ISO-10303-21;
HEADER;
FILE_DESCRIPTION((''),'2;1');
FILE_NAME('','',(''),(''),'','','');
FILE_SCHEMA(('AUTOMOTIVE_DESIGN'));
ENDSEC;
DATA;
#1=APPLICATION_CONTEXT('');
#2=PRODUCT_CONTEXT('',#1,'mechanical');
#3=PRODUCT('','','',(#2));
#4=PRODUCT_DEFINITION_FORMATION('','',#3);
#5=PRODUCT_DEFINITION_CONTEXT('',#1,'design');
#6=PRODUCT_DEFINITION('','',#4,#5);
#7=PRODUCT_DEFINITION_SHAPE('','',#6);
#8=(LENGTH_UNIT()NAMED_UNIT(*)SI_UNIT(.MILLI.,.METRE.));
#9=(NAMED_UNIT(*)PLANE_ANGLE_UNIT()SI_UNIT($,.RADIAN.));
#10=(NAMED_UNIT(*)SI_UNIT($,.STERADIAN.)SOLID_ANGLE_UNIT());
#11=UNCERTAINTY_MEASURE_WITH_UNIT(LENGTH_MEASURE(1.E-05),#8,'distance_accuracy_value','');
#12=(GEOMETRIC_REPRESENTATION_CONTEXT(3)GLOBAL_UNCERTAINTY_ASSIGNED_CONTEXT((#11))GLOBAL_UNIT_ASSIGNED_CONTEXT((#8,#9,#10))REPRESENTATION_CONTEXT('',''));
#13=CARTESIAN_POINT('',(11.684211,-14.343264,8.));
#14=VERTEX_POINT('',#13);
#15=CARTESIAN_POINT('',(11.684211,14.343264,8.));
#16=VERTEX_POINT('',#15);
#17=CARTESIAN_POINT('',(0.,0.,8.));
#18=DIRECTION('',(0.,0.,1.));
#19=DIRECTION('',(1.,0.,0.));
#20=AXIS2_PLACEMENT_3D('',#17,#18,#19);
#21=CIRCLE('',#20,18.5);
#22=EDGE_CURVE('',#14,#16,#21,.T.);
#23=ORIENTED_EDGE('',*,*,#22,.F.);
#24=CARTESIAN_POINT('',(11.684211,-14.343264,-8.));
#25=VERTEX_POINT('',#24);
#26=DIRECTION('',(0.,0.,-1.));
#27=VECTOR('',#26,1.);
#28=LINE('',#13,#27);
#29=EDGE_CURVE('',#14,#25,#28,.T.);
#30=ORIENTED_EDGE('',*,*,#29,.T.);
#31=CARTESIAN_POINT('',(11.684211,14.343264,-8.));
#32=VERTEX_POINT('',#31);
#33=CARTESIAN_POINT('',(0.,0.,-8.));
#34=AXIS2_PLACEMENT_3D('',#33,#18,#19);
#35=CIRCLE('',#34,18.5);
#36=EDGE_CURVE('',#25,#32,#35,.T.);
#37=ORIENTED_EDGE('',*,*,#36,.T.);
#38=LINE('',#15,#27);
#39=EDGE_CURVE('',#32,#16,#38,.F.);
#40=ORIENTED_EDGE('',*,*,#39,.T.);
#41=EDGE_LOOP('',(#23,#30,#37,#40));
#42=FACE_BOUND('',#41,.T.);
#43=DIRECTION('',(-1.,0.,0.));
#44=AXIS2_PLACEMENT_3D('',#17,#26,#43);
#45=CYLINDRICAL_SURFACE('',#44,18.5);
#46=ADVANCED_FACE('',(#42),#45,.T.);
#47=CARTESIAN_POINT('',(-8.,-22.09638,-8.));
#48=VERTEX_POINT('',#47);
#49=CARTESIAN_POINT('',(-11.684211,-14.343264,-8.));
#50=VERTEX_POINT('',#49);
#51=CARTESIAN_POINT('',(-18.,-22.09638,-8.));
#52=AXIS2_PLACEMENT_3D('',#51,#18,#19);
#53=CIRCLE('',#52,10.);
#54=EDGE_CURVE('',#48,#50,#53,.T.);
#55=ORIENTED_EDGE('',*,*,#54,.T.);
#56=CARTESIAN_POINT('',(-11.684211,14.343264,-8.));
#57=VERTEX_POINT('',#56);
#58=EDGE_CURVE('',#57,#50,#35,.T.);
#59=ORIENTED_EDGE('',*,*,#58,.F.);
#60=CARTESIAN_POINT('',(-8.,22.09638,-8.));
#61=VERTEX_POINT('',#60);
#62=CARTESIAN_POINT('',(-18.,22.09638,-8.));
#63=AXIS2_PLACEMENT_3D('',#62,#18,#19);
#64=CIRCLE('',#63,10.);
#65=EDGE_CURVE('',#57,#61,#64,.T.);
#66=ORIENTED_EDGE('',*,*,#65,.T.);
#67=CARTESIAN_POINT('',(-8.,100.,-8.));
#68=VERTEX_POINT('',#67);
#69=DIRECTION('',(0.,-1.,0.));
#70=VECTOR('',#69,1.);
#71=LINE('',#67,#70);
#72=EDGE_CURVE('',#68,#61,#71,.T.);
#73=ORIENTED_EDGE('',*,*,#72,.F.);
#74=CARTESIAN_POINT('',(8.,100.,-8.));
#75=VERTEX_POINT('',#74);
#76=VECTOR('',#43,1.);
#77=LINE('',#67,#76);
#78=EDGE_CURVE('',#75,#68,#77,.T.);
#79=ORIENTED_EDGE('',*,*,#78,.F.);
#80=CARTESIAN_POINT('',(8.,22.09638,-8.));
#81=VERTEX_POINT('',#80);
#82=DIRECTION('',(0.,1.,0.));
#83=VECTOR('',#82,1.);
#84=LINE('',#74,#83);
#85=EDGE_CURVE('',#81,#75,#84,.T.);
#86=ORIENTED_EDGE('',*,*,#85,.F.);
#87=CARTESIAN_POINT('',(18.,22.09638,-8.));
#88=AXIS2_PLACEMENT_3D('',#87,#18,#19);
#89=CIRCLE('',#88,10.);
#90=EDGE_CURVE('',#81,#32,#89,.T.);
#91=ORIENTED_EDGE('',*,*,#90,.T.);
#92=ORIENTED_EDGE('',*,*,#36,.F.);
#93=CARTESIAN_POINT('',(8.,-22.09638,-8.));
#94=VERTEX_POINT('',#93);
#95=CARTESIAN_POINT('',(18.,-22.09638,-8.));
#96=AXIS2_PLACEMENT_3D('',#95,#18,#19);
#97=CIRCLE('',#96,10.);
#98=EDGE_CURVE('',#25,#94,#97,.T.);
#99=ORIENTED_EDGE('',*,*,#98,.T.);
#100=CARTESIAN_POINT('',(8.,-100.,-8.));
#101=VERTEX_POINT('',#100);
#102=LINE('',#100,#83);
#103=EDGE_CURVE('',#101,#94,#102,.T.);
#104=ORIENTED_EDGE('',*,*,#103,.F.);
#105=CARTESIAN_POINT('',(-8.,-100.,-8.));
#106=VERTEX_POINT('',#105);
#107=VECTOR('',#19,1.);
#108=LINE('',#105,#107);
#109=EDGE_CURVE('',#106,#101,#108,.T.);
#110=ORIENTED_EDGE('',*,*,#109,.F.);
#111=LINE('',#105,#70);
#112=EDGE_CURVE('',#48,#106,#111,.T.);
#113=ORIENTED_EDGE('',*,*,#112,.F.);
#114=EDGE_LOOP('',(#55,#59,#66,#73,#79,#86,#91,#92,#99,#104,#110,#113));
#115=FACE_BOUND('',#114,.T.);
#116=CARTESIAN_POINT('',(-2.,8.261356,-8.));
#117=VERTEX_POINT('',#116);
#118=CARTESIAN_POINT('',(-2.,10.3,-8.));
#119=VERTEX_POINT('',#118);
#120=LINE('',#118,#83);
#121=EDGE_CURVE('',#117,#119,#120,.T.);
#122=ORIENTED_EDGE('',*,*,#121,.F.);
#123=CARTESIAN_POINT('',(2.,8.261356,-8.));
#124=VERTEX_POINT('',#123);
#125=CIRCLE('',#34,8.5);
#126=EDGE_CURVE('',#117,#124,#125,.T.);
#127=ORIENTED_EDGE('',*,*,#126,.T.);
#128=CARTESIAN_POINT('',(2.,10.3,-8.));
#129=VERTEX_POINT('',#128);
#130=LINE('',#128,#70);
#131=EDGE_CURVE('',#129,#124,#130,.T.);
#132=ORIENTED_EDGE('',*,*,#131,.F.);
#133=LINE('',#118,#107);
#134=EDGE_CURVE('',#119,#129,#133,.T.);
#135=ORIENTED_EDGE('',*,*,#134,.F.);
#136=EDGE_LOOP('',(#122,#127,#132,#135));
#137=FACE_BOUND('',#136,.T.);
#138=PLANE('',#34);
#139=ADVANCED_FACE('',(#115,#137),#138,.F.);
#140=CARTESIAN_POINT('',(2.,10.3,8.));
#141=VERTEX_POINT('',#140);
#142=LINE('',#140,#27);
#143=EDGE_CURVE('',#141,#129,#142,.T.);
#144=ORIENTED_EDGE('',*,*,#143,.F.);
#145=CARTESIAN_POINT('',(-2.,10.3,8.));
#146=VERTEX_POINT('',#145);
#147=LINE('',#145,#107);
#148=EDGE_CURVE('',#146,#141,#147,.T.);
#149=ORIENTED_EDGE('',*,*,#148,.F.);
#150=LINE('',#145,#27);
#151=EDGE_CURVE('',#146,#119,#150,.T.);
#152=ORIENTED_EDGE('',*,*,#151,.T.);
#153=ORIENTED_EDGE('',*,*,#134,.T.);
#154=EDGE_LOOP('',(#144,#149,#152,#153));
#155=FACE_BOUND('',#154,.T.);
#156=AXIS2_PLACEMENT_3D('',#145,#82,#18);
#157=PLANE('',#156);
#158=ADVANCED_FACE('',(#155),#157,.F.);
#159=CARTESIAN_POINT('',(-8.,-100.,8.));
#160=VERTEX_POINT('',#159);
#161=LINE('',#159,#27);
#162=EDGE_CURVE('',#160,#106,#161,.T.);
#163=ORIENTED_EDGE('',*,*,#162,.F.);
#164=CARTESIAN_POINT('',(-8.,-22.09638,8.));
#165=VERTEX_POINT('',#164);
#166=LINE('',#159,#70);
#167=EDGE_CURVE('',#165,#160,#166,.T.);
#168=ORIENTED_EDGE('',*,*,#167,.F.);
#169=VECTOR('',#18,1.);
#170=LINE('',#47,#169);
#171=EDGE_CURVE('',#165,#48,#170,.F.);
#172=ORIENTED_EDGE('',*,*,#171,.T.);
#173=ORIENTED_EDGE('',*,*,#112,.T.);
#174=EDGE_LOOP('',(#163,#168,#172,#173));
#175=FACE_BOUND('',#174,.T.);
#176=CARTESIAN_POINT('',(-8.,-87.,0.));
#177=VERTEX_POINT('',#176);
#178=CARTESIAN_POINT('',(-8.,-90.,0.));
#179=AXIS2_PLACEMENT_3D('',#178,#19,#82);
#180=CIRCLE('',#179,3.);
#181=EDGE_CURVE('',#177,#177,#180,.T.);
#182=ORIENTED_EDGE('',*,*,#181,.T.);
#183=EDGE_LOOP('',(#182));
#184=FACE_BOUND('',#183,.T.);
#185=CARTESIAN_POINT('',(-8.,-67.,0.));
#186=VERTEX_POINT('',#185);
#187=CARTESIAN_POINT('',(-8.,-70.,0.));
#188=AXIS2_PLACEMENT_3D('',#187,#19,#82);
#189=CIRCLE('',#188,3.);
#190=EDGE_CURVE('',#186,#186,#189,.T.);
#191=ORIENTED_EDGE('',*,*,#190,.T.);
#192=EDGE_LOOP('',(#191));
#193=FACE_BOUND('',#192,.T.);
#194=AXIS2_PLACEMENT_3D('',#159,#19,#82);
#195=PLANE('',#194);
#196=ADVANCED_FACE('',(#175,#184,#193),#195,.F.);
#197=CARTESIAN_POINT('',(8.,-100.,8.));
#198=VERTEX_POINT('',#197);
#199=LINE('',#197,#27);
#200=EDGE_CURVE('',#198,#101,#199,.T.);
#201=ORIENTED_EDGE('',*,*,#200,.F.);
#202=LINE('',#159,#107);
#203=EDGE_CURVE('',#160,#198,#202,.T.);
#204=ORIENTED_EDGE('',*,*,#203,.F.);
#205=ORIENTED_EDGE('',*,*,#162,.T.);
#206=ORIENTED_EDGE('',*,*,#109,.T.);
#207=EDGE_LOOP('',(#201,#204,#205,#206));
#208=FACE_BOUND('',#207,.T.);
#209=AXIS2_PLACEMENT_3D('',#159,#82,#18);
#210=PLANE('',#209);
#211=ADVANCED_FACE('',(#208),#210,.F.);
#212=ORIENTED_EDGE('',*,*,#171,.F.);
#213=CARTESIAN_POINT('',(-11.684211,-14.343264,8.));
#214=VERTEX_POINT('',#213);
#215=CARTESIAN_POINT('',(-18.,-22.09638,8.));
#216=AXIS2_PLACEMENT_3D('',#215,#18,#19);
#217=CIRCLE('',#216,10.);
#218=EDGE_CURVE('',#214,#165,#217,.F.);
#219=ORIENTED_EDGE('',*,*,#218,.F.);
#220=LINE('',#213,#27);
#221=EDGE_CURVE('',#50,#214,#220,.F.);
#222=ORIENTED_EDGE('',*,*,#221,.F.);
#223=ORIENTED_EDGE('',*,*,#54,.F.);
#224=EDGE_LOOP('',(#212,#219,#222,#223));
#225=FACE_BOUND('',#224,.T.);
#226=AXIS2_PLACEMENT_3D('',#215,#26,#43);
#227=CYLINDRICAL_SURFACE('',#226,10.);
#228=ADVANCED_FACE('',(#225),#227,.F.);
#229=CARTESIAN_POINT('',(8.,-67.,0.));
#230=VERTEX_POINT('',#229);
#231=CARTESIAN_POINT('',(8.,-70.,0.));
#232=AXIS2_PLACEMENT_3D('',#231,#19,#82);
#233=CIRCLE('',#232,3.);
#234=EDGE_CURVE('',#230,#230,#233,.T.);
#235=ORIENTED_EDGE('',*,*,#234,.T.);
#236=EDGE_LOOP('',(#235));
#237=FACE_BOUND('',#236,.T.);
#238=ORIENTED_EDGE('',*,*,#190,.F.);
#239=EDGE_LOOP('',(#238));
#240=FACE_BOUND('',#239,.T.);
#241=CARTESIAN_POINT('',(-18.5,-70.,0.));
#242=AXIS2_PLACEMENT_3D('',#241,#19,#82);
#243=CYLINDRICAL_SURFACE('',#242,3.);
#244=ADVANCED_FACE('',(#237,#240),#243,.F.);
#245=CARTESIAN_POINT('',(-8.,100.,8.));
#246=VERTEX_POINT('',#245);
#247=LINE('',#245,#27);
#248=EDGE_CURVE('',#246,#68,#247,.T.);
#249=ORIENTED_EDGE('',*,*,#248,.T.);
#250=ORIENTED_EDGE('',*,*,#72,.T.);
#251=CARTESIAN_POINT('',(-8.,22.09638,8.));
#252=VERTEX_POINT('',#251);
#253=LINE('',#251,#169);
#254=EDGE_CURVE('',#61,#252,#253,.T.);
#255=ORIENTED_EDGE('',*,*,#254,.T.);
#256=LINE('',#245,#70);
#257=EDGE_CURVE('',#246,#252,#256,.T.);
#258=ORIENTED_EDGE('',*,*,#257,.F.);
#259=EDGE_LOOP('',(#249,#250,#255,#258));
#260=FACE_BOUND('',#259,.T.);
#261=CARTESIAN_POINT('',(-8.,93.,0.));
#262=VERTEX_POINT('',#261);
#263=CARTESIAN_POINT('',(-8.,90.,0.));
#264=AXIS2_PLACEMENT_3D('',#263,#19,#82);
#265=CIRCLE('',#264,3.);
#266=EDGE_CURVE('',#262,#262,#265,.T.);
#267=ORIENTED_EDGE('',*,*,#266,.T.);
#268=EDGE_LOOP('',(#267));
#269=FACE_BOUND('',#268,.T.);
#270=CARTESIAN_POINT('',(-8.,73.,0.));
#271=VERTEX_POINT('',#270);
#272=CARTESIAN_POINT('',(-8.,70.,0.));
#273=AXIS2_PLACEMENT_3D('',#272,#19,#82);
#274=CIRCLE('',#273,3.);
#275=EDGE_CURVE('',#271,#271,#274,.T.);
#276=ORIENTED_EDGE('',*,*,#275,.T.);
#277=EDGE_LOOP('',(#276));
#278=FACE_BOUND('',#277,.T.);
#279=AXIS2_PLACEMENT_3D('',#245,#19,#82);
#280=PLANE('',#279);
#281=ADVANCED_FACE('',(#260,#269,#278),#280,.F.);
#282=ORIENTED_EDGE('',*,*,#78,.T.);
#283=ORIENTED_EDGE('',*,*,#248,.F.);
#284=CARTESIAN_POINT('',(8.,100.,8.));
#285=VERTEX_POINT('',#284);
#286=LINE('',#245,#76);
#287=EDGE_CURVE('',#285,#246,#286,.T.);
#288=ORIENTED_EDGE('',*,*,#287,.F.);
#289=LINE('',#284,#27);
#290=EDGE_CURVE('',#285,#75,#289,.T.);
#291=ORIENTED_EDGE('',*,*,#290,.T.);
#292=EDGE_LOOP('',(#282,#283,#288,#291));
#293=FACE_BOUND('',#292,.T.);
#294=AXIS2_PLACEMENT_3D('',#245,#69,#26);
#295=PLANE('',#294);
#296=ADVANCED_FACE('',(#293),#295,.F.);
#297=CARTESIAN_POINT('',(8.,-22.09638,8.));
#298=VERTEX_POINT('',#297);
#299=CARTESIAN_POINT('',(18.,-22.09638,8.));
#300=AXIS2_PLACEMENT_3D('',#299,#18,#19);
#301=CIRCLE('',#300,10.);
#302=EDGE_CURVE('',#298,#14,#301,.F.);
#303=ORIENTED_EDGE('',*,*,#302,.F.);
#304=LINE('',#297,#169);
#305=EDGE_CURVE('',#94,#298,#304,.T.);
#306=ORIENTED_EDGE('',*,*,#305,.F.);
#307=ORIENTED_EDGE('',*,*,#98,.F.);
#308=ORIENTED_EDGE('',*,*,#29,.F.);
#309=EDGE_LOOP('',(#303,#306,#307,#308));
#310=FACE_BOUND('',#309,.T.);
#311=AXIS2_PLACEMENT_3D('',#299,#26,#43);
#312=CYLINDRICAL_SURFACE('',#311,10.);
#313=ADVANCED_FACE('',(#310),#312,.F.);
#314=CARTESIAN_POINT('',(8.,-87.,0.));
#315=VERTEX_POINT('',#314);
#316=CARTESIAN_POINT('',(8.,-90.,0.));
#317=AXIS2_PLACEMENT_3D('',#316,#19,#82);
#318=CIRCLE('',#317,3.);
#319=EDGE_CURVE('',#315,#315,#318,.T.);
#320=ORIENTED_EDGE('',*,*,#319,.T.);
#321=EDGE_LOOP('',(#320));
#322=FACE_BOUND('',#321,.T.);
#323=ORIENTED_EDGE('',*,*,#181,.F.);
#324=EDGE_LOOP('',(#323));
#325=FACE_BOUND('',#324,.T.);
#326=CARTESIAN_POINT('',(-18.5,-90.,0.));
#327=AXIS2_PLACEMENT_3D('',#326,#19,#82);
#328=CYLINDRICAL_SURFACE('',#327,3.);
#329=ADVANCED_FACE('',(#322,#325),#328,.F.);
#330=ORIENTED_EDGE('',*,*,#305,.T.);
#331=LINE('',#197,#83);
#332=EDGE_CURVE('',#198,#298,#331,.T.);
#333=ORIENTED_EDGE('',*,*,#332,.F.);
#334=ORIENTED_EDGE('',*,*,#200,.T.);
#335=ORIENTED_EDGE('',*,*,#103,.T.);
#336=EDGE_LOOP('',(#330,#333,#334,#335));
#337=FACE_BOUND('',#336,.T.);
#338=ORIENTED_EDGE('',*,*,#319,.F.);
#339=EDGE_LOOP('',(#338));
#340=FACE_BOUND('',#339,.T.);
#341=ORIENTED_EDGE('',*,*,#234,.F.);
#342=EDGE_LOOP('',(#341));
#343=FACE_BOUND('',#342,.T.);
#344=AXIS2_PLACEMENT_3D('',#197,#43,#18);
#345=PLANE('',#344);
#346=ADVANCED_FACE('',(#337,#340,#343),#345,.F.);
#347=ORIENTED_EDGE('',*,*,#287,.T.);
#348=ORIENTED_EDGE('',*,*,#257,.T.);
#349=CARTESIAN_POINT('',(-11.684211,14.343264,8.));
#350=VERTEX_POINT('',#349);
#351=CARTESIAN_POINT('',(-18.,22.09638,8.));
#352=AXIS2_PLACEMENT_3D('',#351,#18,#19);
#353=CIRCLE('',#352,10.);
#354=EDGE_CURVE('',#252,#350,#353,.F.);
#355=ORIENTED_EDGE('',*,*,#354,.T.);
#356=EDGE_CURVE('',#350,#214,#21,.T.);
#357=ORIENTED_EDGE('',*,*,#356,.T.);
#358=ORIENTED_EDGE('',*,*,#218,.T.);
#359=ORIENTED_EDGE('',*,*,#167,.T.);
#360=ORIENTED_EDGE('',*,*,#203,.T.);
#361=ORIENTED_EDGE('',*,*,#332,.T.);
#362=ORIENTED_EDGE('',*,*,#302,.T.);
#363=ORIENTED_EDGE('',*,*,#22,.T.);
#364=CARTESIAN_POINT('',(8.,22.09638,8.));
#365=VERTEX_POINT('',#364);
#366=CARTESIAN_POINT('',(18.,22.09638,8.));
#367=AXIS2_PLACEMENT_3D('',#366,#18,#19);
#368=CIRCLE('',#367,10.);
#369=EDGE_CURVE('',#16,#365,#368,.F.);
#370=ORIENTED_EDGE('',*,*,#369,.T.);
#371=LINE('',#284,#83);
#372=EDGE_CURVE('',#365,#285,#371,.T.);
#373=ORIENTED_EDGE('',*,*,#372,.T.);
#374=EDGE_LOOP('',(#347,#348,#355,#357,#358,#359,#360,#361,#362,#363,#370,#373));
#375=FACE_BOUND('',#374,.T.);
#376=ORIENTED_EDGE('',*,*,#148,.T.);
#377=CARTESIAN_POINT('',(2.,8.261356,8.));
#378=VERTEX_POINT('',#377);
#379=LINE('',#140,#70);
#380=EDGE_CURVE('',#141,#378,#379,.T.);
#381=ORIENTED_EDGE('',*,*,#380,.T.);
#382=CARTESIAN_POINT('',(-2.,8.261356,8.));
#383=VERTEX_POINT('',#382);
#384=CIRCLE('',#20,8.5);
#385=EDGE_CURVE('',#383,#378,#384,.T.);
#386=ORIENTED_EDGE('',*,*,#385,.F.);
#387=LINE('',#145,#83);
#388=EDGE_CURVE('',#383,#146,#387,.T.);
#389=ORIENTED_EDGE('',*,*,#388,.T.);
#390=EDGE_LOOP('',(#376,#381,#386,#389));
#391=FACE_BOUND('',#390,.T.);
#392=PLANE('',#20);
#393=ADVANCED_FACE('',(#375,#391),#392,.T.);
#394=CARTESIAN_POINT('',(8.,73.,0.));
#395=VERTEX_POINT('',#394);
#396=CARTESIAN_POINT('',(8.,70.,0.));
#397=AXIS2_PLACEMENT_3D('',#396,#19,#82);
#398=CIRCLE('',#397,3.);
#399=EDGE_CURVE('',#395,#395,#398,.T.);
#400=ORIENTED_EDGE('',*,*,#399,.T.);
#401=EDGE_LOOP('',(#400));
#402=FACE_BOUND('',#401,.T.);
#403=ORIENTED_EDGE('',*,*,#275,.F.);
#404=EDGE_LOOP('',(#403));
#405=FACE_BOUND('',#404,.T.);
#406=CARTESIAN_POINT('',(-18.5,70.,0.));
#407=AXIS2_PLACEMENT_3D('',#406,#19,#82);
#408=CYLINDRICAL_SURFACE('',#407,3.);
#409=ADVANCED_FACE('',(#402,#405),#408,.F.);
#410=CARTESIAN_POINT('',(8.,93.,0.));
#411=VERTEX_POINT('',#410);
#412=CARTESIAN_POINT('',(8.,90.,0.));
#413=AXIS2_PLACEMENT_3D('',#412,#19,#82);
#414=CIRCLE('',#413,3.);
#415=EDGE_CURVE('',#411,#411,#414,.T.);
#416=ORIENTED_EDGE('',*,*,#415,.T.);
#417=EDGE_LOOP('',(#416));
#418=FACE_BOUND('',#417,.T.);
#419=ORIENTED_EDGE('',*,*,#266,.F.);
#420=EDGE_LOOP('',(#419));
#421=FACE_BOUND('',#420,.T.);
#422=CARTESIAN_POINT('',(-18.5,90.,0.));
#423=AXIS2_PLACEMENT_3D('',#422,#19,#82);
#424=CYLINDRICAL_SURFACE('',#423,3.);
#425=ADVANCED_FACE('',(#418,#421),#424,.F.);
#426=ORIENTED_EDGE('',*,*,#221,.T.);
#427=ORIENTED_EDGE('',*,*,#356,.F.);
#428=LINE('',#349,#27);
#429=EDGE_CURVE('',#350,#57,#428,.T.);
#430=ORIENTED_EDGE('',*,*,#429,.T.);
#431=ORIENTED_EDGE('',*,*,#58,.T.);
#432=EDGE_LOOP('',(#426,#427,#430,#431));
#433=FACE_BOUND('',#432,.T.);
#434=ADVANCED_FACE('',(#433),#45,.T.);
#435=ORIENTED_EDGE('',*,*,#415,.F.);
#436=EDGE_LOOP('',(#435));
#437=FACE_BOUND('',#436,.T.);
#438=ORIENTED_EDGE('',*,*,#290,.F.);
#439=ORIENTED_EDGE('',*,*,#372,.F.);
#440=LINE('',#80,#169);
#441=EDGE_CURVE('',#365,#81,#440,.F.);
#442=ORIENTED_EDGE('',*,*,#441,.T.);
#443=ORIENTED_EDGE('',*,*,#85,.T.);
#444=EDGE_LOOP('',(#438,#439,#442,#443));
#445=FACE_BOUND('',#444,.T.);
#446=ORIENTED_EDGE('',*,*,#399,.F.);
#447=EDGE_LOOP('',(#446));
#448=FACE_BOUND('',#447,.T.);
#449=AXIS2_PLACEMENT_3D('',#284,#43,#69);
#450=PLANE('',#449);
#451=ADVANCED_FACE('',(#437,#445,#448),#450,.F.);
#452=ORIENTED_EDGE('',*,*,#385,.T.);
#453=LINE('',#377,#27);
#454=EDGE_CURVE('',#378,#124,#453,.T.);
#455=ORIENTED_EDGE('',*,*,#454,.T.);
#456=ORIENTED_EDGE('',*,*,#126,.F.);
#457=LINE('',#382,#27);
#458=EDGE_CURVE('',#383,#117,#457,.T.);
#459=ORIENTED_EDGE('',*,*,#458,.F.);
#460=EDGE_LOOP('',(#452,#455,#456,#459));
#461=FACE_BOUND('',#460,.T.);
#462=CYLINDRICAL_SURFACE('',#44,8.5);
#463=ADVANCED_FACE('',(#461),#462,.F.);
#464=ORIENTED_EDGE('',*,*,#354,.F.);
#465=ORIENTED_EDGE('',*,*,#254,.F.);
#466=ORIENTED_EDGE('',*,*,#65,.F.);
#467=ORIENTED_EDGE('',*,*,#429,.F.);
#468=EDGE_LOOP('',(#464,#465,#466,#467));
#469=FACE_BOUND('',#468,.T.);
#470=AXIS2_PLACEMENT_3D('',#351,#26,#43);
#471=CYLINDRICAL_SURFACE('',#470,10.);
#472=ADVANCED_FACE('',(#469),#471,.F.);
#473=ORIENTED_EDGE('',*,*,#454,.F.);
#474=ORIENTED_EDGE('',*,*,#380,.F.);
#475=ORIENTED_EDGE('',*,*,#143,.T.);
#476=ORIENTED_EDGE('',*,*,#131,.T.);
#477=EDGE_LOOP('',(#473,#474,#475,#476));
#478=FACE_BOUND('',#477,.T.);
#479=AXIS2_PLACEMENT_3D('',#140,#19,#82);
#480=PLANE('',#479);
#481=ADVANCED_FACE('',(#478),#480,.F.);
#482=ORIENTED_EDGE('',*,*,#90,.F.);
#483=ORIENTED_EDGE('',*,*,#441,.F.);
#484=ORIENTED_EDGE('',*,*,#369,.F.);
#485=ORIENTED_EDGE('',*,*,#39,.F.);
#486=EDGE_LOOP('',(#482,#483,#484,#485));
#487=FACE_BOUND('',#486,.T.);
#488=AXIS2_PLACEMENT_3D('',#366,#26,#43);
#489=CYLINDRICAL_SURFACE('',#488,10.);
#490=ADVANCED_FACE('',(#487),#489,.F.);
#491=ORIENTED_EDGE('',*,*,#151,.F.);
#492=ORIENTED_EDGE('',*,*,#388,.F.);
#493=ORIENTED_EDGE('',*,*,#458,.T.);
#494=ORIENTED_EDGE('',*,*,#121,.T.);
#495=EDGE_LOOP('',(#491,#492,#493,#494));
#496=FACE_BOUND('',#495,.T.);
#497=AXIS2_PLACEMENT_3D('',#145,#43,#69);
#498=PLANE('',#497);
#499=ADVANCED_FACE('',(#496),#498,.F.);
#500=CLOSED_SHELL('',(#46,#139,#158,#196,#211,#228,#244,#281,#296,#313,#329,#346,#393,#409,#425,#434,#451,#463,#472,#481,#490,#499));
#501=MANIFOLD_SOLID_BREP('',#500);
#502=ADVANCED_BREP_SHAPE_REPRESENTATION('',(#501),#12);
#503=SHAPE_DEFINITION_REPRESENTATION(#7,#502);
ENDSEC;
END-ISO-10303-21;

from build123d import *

# Parameters (mm, degrees)
SKETCH1_R           = 18.5
SKETCH1_R_2         = 8.5
BOSS_EXTRUDE1_DEPTH = 8
SKETCH2_W           = 16
SKETCH2_H           = 83.319172682
BOSS_EXTRUDE2_DEPTH = 8
SKETCH3_W           = 16
SKETCH3_H           = 83.319172682
BOSS_EXTRUDE3_DEPTH = 8
SKETCH4_W           = 4
SKETCH4_H           = 2.038644179
CUT_EXTRUDE3_DEPTH  = 103.947802308
FILLET1_R           = 10
SKETCH5_R           = 3
CUT_EXTRUDE4_DEPTH  = 104.760541633


with BuildPart() as part:
    # Sketch1 → Boss-Extrude1 (new, symmetric)
    with BuildSketch(Plane.XY):
        Circle(SKETCH1_R)
        Circle(SKETCH1_R_2, mode=Mode.SUBTRACT)
    extrude(amount=BOSS_EXTRUDE1_DEPTH, both=True)

    # Sketch2 → Boss-Extrude2 (add, symmetric)
    with BuildSketch(Plane.XY):
        with Locations((0, 58.340413659)):
            Rectangle(SKETCH2_W, SKETCH2_H)
    extrude(amount=BOSS_EXTRUDE2_DEPTH, both=True)

    # Sketch3 → Boss-Extrude3 (add, symmetric)
    with BuildSketch(Plane.XY):
        with Locations((0, -58.340413659)):
            Rectangle(SKETCH3_W, SKETCH3_H)
    extrude(amount=BOSS_EXTRUDE3_DEPTH, both=True)

    # Sketch4 → Cut-Extrude3 (cut, through all)
    with BuildSketch(Plane(origin=(0, 0, -8), x_dir=(-1, 0, 0), z_dir=(0, 0, -1))):
        with Locations((0, 9.28067791)):
            Rectangle(SKETCH4_W, SKETCH4_H)
    extrude(amount=-CUT_EXTRUDE3_DEPTH, mode=Mode.SUBTRACT)

    # Fillet1
    fillet1_edges = [part.edges().sort_by_distance(p)[0] for p in [
        (8, 16.680827318, 0),
        (-8, 16.680827318, 0),
        (8, -16.680827318, 0),
        (-8, -16.680827318, 0),
    ]]
    fillet(fillet1_edges, radius=FILLET1_R)

    # Sketch5 → Cut-Extrude4 (cut, through all)
    with BuildSketch(Plane(origin=(8, 0, 0), x_dir=(0, 0, -1), z_dir=(1, 0, 0))):
        with Locations(Location((0, 90, 0), (0, 0, 90))):
            Circle(SKETCH5_R)
        with Locations(Location((0, 70, 0), (0, 0, 90))):
            Circle(SKETCH5_R)
        with Locations(Location((0, -70, 0), (0, 0, 90))):
            Circle(SKETCH5_R)
        with Locations(Location((0, -90, 0), (0, 0, 90))):
            Circle(SKETCH5_R)
    extrude(amount=-CUT_EXTRUDE4_DEPTH, mode=Mode.SUBTRACT)


solid = part.part
